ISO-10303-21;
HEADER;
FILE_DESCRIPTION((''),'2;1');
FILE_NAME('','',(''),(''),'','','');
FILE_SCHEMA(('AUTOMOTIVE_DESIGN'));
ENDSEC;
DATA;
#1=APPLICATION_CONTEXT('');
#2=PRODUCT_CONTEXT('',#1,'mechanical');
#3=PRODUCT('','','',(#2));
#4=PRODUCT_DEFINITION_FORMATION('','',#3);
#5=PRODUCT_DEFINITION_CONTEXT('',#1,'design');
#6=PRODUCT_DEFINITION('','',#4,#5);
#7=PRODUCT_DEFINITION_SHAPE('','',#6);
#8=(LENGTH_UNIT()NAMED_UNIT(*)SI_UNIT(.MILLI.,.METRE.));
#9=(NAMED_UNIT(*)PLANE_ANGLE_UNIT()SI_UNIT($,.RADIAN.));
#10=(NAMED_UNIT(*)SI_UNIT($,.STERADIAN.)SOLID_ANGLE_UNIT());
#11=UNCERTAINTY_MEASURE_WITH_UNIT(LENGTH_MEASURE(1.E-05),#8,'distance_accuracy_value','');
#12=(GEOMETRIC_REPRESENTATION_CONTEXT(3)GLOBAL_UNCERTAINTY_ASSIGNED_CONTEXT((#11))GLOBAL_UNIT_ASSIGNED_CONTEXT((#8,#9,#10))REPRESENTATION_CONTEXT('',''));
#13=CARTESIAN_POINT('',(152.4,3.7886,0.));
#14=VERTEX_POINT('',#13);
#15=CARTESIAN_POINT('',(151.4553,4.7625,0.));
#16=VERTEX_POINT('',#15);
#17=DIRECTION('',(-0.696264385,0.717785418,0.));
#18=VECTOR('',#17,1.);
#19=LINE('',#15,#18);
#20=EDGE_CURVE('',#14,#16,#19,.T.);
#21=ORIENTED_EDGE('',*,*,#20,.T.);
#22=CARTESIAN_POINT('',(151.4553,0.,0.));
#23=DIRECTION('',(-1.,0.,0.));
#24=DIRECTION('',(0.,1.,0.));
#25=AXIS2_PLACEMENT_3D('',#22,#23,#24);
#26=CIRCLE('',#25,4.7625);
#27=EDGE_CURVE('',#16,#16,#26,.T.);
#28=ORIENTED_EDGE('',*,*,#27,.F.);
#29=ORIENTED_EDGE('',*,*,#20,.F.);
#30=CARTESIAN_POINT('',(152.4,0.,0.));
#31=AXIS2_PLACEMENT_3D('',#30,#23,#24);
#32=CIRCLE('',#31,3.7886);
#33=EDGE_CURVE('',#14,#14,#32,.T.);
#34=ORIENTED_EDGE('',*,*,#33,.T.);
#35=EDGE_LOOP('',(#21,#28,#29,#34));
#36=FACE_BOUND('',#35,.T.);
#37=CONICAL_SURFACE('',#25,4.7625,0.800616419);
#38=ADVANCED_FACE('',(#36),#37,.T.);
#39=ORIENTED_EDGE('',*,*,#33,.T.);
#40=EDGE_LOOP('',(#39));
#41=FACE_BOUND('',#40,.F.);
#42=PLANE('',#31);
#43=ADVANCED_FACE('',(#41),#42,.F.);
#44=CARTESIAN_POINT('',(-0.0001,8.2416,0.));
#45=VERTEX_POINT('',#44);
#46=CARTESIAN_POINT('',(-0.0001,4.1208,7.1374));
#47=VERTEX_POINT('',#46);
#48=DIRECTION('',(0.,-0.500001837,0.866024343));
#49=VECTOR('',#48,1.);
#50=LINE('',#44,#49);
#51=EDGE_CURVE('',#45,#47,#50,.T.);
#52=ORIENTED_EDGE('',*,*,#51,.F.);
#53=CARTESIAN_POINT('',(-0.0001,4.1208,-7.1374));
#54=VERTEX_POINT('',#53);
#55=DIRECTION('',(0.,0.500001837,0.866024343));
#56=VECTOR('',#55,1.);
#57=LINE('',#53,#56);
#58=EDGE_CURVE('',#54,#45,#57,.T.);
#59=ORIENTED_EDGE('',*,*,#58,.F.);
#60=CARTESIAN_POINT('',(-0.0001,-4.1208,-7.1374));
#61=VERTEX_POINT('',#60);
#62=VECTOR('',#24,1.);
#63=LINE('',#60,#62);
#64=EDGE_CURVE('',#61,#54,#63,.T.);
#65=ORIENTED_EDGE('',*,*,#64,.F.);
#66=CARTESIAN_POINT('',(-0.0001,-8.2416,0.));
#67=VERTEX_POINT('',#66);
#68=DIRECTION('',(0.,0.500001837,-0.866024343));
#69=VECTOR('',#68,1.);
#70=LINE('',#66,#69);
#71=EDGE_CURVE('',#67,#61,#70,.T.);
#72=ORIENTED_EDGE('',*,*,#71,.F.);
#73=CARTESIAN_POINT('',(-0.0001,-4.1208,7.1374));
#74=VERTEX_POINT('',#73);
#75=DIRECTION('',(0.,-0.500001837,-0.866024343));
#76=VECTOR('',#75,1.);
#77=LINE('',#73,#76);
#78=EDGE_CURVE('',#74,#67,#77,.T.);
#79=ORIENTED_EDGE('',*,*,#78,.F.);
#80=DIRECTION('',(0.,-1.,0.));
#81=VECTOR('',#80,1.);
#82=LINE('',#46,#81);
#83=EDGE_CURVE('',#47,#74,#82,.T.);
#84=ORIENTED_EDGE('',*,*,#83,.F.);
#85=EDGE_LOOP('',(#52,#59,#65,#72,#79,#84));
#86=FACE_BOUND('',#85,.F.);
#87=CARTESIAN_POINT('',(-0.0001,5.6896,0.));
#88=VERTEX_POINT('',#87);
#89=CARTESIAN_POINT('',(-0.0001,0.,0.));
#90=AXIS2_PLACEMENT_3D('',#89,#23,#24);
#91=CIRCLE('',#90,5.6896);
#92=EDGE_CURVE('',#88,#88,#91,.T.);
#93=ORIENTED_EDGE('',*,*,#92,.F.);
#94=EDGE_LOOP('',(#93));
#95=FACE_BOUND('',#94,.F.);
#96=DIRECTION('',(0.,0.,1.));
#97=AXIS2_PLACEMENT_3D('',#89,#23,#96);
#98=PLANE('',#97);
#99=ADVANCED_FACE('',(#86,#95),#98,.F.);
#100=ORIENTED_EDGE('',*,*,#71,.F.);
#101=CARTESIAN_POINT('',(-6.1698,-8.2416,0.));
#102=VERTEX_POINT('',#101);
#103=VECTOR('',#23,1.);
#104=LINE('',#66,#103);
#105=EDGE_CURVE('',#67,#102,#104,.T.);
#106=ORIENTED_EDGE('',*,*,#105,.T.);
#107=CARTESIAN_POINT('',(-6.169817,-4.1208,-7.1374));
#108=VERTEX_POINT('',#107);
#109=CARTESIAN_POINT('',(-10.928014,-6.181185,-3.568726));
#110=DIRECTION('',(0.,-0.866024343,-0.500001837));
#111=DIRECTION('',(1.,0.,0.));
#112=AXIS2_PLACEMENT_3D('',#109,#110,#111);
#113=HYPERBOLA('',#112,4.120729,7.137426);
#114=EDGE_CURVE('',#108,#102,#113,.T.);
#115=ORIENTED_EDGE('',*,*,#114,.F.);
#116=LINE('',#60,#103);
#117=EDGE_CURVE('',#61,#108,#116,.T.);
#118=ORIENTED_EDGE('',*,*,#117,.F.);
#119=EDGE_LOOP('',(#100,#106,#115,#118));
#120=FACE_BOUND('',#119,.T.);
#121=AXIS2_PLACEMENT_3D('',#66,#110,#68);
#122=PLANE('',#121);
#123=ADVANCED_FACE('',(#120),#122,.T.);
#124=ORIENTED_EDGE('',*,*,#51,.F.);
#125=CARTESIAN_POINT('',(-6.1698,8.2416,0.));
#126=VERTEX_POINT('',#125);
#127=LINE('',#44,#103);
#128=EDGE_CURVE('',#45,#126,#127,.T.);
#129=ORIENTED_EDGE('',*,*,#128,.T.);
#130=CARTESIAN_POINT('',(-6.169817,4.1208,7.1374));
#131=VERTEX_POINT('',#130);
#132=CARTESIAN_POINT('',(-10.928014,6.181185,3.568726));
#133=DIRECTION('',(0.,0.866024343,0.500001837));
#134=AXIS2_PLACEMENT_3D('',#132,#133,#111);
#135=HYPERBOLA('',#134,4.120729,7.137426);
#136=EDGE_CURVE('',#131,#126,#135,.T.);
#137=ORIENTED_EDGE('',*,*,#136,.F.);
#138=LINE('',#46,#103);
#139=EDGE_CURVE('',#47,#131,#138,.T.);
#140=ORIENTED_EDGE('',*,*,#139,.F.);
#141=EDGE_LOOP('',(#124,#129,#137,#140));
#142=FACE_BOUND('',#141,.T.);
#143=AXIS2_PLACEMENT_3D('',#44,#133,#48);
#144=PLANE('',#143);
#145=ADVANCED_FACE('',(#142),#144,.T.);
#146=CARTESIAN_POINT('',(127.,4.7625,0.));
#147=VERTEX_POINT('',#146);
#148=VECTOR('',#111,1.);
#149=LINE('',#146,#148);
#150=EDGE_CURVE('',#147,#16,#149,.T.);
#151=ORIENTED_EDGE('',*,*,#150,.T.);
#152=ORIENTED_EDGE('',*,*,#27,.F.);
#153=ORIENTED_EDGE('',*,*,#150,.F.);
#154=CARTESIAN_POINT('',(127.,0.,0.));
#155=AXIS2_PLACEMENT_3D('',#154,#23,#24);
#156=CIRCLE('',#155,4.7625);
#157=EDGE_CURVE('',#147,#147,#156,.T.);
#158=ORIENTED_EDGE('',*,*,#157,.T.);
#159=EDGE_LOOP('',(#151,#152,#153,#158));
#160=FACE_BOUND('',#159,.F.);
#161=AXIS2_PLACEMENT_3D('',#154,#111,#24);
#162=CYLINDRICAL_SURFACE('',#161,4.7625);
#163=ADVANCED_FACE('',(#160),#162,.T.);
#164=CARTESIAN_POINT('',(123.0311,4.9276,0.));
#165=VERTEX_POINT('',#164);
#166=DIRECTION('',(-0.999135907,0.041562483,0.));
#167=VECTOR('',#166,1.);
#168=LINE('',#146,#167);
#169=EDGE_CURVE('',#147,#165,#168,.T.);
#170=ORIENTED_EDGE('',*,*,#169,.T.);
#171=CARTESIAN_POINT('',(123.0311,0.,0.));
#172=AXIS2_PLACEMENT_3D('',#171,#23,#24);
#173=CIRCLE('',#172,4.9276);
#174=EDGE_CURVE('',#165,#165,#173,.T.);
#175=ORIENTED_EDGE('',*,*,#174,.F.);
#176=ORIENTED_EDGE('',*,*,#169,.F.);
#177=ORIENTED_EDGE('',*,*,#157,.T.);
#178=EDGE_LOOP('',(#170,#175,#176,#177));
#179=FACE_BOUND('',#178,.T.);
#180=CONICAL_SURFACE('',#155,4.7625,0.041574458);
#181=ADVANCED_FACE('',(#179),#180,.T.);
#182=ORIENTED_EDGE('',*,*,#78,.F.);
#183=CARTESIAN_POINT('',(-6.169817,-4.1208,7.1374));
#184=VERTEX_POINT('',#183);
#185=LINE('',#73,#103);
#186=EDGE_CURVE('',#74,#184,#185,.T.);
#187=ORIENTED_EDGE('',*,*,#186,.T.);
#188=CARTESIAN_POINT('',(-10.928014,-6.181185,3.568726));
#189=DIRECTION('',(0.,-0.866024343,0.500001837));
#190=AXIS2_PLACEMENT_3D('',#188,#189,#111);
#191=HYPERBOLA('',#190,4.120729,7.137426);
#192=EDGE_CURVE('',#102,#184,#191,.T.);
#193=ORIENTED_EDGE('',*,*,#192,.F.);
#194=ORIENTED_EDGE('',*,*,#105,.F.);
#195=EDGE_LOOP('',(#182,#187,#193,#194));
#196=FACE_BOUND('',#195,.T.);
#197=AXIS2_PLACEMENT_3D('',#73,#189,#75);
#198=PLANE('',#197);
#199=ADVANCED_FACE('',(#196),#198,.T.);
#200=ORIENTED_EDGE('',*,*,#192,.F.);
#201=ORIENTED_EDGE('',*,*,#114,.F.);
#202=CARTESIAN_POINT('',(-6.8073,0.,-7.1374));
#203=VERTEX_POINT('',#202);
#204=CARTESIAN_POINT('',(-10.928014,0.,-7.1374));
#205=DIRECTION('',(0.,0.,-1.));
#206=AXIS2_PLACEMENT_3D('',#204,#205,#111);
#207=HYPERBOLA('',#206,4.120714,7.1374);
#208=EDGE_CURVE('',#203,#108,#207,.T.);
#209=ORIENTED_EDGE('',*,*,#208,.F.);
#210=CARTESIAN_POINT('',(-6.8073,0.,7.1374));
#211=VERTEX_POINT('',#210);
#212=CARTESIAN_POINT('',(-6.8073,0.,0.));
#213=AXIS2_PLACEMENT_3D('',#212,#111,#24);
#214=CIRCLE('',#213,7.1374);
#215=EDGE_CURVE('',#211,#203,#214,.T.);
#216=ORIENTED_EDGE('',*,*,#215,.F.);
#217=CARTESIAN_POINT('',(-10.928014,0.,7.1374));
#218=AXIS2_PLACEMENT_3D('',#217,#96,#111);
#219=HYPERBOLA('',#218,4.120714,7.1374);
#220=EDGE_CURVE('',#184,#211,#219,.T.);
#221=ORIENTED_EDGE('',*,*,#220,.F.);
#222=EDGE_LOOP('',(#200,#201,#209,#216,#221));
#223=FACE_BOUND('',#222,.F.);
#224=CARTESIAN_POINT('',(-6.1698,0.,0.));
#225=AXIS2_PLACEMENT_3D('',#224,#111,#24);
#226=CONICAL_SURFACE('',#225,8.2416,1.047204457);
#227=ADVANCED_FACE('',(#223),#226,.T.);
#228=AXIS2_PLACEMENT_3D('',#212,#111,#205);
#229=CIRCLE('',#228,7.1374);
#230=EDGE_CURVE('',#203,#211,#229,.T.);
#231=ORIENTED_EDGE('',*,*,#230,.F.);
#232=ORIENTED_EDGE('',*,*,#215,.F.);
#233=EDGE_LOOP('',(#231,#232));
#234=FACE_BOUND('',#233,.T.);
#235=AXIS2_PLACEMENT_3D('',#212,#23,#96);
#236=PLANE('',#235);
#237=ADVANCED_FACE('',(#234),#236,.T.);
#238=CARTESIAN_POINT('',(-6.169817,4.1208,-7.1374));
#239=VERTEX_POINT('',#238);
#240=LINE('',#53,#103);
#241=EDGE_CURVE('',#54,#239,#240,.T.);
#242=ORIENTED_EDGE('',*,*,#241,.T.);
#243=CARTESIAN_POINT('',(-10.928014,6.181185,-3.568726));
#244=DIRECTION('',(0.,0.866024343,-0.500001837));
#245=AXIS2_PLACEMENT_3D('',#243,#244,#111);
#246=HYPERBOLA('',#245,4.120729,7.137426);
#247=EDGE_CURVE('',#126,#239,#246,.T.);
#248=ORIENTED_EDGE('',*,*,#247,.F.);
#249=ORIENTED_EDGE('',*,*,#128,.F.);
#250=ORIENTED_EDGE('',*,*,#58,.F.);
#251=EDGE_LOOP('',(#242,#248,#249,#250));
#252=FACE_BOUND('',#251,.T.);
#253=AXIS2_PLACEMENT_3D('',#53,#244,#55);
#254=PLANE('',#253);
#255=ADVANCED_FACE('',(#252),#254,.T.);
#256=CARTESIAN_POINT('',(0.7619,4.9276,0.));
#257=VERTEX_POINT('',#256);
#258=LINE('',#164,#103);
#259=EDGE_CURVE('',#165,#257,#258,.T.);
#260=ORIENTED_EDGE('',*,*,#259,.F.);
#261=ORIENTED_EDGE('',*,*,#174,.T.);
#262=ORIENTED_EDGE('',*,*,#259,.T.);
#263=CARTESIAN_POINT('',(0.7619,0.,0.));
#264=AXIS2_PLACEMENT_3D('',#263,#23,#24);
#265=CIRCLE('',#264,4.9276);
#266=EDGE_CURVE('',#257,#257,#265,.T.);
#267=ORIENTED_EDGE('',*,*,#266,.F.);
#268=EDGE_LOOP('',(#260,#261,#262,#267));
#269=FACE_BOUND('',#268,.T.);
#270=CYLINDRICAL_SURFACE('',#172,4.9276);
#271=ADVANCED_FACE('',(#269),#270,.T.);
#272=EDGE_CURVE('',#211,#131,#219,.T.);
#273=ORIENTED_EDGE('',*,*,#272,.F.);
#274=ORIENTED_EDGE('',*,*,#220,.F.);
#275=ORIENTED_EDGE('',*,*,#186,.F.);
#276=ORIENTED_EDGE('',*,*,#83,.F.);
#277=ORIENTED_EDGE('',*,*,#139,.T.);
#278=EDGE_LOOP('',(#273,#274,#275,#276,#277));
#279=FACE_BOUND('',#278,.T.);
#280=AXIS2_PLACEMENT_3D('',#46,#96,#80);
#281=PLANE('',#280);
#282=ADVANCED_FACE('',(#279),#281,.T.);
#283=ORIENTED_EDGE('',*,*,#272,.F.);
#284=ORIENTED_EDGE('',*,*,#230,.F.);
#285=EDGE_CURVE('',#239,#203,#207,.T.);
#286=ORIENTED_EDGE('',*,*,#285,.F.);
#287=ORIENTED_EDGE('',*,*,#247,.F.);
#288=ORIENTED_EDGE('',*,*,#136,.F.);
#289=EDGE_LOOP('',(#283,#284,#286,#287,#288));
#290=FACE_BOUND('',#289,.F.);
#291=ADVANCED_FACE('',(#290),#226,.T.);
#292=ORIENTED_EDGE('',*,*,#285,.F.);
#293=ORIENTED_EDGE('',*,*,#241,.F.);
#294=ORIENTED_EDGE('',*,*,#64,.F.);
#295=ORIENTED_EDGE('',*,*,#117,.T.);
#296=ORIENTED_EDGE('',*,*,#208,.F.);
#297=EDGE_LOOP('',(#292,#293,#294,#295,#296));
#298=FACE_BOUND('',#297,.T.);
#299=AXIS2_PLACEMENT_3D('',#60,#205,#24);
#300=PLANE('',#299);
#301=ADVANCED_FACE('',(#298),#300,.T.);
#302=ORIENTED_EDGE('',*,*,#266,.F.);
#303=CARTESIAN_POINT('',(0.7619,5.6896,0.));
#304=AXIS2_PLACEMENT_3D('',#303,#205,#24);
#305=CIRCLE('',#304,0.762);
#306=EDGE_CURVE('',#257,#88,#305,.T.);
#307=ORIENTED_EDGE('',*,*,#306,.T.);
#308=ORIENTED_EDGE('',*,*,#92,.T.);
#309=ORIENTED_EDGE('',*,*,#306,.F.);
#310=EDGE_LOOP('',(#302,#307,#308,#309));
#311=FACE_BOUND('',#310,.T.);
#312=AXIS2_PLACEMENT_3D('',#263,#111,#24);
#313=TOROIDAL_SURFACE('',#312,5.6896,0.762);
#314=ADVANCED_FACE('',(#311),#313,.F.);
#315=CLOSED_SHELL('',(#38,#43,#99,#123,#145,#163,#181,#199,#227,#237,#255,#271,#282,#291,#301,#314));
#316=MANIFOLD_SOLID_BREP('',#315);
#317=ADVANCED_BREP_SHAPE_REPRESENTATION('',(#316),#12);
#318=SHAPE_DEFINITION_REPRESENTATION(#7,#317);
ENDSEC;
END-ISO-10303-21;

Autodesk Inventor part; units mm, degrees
ref_plane "YZ Plane" through (0, 0, 0) normal (1, 0, 0) x (0, 1, 0)
ref_plane "XZ Plane" through (0, 0, 0) normal (0, 1, 0) x (-1, 0, 0)
sketch "Sketch1" plane through (0, 0, 0) normal (0, 0, 1) x (1, 0, 0)
  line L0 (0, 7.1374) -> (0, 4.9276)
  line L1 (127, 4.7625) -> (152.4, 4.7625)
  line L2 (152.4, 4.7625) -> (152.4, 0)
  line L3 (152.4, 0) -> (-0.0001, 0)
  line L4 (-30.4801, 0) -> (182.88, 0) projected
  line L5 (-0.0001, 0) -> (-0.0001, 7.1374)
  line L6 (-0.0001, 7.1374) -> (0, 7.1374)
  line L7 (127, 4.7625) -> (123.0311, 4.9276)
  line L8 (123.0311, 4.9276) -> (0, 4.9276)
  line L9 (0, -1.4275) -> (0, 8.5649) projected
  dimension "d0" = 152.4
  dimension "d1" = 25.4
  dimension "d2" = 9.525
  dimension "d9" = 0.0001
  dimension "d10" = 14.2748
  dimension "d13" = 3.9689
  dimension "d14" = 9.8552
revolve "Body" add sketch "Sketch1" angle 360 about axis through (152.4, 0, 0) along (-1, 0, 0)
sketch "Sketch2" plane through (-0.0001, 0, 0) normal (-1, 0, 0) x (0, 0, 1)
  line L0 (0, 8.2416) -> (7.1374, 4.1208)
  line L1 (7.1374, 4.1208) -> (7.1374, -4.1208)
  line L2 (7.1374, -4.1208) -> (0, -8.2416)
  line L3 (0, -8.2416) -> (-7.1374, -4.1208)
  line L4 (-7.1374, -4.1208) -> (-7.1374, 4.1208)
  line L5 (-7.1374, 4.1208) -> (0, 8.2416)
  point P0 (0, 0)
  point P1 (0, 0)
  dimension "d11" = 14.2748
extrude "Head" add sketch "Sketch2" along normal blind 6.8072
sketch "Sketch4" plane through (0, 0, 0) normal (0, 0, 1) x (1, 0, 0)
  line L0 (-6.8073, 7.1374) -> (-6.8073, 8.2416)
  line L1 (-6.8073, 8.2416) -> (-6.1698, 8.2416)
  line L2 (-6.1698, 8.2416) -> (-6.8073, 7.1374)
  line L3 (-8.1687, 0) -> (1.3613, 0) projected
  line L4 (-0.0001, 8.2416) -> (-6.8073, 8.2416) projected
  line L5 (-6.8073, 4.1208) -> (-6.8073, 8.2416) projected
  dimension "d5" = 30
  dimension "d19" = 14.2748
revolve "Chamfer1" cut sketch "Sketch4" angle 360 about axis through (-10, 0, 0) along (1, 0, 0)
thread "Thread" size "3/8-16 UNC" class "2A" standard "ANSI Unified Screw Threads" length 25.4
chamfer "Chamfer2" distance 0.9739 distance2 0.9447 1 edges at (152.4, -4.7625, 0) measured on face at (152.4, -1.324, 0.065)
ref_plane "Work Plane1" through (1.525, 0, 0) normal (0, 0, 1) x (1, 0, 0)
fillet "Fillet2" radius 0.762 1 edges at (0, -4.9276, 0)
equation "\"d0\" = NLG"
equation "\"d1\" = GEL"
equation "\"d2\" = GD"
equation "\"d10\" = SD2"
equation "\"d14\" = BDM"
equation "\"d11\" = SW"
equation "\"d3\" = KOH - SD"
equation "\"d5\" = ANG1"
equation "\"d19\" = SW0"
equation "\"d63\" = R"
equation "\"d15\" = GEL"
equation "\"d6\" = -0.5 * SPD + 0.5 * GD"
equation "\"NLG\" = 152.4"
equation "\"GD\" = NND"
equation "\"BDM\" = 9.8552"
equation "\"KOH\" = 6.8072"
equation "\"GEL\" = 25.4"
equation "\"SW\" = 14.2748"
equation "\"SW0\" = SW"
equation "\"SPD\" = GD1"
equation "\"SD2\" = SW"
equation "\"SD\" = 0"
equation "\"ANG1\" = 30deg"
equation "\"GAL\" = 3.96875"
equation "\"GUL\" = 0.238 * GAL"
equation "\"R\" = 0.762"
equation "\"d62\" = -NLG - SD + GUL"
equation "\"GD1\" = 7.5773"
equation "\"THREADDIA\" = 9.525"
equation "\"TOA\" = 30deg"
equation "\"NND\" = 9.525"
equation "\"E0\" = 1.155 * SW"
properties part number "ANSI/ASME B18.2.1 - 3/8-16 UNC - 6" material "Steel, Mild"
